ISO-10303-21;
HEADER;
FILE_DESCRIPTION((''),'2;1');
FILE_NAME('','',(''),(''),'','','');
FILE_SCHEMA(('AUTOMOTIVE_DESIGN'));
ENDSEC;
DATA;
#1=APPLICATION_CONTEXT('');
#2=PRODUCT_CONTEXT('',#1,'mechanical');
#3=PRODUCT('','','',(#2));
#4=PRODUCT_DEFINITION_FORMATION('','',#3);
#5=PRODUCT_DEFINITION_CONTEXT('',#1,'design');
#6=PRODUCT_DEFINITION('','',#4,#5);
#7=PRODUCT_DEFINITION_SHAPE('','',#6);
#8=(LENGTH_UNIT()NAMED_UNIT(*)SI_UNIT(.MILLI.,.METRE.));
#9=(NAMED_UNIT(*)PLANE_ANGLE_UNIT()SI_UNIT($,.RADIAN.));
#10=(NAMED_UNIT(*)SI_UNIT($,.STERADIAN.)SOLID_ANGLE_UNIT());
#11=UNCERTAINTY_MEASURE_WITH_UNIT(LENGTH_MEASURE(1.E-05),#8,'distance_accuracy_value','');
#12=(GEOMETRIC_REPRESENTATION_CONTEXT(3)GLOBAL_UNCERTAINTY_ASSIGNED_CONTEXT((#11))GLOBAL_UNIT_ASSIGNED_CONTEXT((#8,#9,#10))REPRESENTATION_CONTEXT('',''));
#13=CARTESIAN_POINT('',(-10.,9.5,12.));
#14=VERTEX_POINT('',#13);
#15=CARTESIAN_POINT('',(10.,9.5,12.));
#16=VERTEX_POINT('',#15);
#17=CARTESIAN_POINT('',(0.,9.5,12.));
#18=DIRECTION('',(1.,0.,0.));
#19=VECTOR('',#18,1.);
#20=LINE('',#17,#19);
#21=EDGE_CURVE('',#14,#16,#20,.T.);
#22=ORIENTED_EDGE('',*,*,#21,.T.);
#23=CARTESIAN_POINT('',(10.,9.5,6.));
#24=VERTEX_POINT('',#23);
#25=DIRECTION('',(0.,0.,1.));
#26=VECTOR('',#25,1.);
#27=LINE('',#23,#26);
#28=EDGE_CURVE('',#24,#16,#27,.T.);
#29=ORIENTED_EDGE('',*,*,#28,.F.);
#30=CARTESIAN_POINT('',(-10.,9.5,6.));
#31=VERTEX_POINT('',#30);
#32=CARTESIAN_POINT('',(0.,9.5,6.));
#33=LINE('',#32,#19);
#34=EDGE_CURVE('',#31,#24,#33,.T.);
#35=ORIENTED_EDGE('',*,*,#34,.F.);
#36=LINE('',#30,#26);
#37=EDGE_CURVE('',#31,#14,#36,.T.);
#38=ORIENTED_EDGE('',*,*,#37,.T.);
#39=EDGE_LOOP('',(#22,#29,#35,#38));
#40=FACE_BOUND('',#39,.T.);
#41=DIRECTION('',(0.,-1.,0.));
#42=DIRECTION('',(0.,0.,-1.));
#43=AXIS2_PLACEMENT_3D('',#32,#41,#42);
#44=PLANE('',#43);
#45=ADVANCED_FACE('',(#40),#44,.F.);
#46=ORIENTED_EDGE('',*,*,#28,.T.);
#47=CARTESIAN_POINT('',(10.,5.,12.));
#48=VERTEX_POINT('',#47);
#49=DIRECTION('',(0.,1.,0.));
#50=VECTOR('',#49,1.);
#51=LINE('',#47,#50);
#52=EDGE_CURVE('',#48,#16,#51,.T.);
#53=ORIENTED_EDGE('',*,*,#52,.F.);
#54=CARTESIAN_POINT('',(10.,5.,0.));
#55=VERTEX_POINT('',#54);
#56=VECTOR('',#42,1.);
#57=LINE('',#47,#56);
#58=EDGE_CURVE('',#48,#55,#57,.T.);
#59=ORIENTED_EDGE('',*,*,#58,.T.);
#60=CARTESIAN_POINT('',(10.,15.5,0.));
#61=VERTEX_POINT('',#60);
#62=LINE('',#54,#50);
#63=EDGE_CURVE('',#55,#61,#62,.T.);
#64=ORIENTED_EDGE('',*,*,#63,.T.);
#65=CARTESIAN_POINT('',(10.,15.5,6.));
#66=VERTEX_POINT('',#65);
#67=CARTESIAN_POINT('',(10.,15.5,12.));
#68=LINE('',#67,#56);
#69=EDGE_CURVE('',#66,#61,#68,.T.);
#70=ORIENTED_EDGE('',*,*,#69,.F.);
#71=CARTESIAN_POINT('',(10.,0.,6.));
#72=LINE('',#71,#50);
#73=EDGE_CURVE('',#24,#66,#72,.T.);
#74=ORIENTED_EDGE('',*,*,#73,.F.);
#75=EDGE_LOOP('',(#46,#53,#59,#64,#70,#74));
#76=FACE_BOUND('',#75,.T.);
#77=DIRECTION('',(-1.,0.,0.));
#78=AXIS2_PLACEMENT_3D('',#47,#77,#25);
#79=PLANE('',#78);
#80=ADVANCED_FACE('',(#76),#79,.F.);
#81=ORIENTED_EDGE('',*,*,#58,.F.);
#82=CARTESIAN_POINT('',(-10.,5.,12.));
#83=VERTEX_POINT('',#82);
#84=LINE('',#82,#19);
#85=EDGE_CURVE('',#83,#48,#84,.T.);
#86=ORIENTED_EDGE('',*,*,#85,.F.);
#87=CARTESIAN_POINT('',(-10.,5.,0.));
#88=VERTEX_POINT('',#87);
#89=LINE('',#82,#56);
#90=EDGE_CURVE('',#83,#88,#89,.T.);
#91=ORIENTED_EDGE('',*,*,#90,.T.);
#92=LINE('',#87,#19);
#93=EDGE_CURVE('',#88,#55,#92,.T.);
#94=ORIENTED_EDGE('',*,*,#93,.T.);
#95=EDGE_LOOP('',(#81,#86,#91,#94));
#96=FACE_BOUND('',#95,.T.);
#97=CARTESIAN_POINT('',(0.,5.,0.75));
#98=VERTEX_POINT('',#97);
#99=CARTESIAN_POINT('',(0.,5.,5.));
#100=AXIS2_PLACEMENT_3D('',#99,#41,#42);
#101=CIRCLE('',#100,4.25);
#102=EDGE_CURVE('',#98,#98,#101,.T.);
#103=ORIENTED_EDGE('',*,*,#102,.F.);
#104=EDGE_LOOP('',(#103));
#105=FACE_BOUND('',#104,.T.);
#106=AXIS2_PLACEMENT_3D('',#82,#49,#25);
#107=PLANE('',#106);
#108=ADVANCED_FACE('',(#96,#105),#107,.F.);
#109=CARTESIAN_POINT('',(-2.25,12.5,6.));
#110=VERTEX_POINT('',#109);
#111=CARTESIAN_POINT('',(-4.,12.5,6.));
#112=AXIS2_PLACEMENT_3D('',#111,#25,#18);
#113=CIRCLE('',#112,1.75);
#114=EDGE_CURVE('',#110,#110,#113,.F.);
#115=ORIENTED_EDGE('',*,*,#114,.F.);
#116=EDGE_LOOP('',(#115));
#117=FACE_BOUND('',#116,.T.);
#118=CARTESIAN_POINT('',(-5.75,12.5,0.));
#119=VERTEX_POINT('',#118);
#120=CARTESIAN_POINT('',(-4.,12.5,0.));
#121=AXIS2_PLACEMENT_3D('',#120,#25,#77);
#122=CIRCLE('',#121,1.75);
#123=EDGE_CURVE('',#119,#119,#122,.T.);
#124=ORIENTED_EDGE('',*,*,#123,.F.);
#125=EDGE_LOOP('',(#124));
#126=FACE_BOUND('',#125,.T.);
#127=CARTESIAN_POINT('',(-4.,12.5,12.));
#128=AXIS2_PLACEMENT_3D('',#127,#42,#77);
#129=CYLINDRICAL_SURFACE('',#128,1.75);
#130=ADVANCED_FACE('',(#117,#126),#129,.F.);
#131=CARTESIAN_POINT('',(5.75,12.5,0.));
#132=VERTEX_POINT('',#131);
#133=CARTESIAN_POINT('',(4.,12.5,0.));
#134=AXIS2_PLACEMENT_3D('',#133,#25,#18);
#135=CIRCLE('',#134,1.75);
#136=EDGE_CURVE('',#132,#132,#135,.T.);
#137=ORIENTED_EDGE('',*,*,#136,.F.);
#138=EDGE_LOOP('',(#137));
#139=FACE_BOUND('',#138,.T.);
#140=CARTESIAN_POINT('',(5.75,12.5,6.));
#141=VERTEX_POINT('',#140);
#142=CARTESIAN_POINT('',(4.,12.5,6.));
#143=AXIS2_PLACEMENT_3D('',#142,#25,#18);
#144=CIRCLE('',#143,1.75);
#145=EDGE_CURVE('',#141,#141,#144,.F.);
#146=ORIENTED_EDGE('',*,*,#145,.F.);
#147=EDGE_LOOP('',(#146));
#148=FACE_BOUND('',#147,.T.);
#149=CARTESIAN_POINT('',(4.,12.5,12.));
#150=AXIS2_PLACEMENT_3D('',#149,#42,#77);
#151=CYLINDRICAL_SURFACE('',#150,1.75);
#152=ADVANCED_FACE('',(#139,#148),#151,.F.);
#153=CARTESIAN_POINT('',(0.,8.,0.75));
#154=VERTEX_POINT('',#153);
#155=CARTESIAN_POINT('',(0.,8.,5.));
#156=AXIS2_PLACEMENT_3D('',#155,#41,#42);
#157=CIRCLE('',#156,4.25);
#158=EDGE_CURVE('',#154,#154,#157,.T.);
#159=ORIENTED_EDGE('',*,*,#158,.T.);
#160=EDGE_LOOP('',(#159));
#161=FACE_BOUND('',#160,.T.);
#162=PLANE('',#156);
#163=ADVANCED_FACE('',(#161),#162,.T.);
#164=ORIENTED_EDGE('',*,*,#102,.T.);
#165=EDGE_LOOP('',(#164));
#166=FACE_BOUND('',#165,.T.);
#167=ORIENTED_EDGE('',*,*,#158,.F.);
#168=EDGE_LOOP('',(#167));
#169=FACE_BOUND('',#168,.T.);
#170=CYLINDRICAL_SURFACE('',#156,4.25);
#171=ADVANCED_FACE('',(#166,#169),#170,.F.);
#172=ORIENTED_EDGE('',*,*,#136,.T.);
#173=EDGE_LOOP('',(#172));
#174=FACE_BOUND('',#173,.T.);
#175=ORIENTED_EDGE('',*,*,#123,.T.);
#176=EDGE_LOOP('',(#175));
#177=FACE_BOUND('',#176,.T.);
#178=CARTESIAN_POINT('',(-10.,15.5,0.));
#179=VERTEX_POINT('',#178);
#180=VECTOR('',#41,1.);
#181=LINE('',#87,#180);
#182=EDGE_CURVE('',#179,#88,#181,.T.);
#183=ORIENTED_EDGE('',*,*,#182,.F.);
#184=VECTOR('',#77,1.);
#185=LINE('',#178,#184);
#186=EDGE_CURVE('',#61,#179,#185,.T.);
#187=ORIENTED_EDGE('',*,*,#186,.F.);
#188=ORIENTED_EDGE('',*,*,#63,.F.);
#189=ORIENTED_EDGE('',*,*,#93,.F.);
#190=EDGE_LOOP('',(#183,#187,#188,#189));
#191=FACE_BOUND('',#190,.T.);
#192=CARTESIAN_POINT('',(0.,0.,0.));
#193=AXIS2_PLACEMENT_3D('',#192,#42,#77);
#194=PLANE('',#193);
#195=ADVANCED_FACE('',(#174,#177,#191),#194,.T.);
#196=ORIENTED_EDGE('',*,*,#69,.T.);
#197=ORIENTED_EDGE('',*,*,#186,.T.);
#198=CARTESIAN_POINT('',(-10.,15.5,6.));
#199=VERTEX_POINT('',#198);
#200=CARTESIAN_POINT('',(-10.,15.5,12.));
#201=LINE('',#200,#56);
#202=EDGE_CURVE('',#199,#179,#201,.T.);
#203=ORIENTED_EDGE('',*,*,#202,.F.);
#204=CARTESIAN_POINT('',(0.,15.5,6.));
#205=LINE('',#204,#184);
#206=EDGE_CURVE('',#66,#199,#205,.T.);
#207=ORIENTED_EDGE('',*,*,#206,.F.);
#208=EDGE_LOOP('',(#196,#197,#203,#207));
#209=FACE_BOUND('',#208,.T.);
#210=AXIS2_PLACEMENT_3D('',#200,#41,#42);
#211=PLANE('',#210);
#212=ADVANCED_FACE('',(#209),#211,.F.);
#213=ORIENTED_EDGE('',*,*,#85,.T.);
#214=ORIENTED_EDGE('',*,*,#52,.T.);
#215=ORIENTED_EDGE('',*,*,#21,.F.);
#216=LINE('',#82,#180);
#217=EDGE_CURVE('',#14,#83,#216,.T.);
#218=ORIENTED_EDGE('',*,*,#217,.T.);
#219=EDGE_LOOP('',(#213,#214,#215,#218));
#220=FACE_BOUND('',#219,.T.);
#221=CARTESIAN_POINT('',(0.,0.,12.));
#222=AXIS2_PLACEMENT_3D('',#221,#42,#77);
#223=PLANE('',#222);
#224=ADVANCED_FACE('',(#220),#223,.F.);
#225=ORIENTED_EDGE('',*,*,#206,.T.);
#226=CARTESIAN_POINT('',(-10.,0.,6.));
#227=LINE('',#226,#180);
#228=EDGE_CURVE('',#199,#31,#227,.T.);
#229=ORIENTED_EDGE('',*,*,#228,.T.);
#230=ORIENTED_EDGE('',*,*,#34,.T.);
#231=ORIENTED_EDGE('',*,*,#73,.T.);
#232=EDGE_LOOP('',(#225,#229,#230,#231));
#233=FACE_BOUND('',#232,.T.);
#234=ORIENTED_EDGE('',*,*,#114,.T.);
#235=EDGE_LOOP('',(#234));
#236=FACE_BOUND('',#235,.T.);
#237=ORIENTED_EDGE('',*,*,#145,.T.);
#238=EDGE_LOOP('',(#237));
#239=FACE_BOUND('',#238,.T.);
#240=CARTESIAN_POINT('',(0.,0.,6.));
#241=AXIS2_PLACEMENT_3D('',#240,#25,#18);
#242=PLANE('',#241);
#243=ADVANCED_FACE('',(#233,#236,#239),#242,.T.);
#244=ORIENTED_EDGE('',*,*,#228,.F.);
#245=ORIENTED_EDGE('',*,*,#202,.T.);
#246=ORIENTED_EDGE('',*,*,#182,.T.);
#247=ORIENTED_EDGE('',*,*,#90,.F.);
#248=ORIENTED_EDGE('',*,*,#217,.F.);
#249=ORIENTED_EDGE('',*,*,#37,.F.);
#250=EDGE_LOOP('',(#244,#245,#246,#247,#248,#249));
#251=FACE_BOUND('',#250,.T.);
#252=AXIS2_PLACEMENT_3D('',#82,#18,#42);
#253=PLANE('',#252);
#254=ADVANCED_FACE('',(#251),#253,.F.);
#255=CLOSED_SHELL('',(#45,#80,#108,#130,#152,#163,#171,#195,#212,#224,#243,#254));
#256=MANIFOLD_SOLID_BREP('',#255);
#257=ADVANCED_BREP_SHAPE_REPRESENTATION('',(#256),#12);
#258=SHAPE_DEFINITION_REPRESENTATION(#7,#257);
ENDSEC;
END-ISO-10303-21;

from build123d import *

# Parameters (mm, degrees)
SKETCH1_W           = 20
SKETCH1_H           = 10.5
SKETCH1_R           = 1.75
BOSS_EXTRUDE1_DEPTH = 12
CUT_EXTRUDE1_START  = -6
SKETCH2_W           = 20
SKETCH2_H           = 6
SKETCH2_R           = 1.75
CUT_EXTRUDE1_DEPTH  = 6
SKETCH3_R           = 4.25
CUT_EXTRUDE3_DEPTH  = 3


with BuildPart() as part:
    # Sketch1 → Boss-Extrude1 (new body)
    with BuildSketch(Plane.XY):
        with Locations((0, 10.25)):
            Rectangle(SKETCH1_W, SKETCH1_H)
        with Locations((4, 12.5)):
            Circle(SKETCH1_R, mode=Mode.SUBTRACT)
        with Locations(Location((-4, 12.5, 0), (0, 0, 180))):
            Circle(SKETCH1_R, mode=Mode.SUBTRACT)
    extrude(amount=BOSS_EXTRUDE1_DEPTH)

    # Sketch2 → Cut-Extrude1 (cut)
    with BuildSketch(Plane.XY.offset(12).offset(CUT_EXTRUDE1_START)):
        with Locations((0, 12.5)):
            Rectangle(SKETCH2_W, SKETCH2_H)
        with Locations(Location((-4, 12.5, 0), (0, 0, 180))):
            Circle(SKETCH2_R, mode=Mode.SUBTRACT)
        with Locations((4, 12.5)):
            Circle(SKETCH2_R, mode=Mode.SUBTRACT)
    extrude(amount=CUT_EXTRUDE1_DEPTH, mode=Mode.SUBTRACT)

    # Sketch3 → Cut-Extrude3 (cut)
    with BuildSketch(Plane.XZ.offset(-5)):
        with Locations(Location((0, 5, 0), (0, 0, 270))):
            Circle(SKETCH3_R)
    extrude(amount=-CUT_EXTRUDE3_DEPTH, mode=Mode.SUBTRACT)


solid = part.part
